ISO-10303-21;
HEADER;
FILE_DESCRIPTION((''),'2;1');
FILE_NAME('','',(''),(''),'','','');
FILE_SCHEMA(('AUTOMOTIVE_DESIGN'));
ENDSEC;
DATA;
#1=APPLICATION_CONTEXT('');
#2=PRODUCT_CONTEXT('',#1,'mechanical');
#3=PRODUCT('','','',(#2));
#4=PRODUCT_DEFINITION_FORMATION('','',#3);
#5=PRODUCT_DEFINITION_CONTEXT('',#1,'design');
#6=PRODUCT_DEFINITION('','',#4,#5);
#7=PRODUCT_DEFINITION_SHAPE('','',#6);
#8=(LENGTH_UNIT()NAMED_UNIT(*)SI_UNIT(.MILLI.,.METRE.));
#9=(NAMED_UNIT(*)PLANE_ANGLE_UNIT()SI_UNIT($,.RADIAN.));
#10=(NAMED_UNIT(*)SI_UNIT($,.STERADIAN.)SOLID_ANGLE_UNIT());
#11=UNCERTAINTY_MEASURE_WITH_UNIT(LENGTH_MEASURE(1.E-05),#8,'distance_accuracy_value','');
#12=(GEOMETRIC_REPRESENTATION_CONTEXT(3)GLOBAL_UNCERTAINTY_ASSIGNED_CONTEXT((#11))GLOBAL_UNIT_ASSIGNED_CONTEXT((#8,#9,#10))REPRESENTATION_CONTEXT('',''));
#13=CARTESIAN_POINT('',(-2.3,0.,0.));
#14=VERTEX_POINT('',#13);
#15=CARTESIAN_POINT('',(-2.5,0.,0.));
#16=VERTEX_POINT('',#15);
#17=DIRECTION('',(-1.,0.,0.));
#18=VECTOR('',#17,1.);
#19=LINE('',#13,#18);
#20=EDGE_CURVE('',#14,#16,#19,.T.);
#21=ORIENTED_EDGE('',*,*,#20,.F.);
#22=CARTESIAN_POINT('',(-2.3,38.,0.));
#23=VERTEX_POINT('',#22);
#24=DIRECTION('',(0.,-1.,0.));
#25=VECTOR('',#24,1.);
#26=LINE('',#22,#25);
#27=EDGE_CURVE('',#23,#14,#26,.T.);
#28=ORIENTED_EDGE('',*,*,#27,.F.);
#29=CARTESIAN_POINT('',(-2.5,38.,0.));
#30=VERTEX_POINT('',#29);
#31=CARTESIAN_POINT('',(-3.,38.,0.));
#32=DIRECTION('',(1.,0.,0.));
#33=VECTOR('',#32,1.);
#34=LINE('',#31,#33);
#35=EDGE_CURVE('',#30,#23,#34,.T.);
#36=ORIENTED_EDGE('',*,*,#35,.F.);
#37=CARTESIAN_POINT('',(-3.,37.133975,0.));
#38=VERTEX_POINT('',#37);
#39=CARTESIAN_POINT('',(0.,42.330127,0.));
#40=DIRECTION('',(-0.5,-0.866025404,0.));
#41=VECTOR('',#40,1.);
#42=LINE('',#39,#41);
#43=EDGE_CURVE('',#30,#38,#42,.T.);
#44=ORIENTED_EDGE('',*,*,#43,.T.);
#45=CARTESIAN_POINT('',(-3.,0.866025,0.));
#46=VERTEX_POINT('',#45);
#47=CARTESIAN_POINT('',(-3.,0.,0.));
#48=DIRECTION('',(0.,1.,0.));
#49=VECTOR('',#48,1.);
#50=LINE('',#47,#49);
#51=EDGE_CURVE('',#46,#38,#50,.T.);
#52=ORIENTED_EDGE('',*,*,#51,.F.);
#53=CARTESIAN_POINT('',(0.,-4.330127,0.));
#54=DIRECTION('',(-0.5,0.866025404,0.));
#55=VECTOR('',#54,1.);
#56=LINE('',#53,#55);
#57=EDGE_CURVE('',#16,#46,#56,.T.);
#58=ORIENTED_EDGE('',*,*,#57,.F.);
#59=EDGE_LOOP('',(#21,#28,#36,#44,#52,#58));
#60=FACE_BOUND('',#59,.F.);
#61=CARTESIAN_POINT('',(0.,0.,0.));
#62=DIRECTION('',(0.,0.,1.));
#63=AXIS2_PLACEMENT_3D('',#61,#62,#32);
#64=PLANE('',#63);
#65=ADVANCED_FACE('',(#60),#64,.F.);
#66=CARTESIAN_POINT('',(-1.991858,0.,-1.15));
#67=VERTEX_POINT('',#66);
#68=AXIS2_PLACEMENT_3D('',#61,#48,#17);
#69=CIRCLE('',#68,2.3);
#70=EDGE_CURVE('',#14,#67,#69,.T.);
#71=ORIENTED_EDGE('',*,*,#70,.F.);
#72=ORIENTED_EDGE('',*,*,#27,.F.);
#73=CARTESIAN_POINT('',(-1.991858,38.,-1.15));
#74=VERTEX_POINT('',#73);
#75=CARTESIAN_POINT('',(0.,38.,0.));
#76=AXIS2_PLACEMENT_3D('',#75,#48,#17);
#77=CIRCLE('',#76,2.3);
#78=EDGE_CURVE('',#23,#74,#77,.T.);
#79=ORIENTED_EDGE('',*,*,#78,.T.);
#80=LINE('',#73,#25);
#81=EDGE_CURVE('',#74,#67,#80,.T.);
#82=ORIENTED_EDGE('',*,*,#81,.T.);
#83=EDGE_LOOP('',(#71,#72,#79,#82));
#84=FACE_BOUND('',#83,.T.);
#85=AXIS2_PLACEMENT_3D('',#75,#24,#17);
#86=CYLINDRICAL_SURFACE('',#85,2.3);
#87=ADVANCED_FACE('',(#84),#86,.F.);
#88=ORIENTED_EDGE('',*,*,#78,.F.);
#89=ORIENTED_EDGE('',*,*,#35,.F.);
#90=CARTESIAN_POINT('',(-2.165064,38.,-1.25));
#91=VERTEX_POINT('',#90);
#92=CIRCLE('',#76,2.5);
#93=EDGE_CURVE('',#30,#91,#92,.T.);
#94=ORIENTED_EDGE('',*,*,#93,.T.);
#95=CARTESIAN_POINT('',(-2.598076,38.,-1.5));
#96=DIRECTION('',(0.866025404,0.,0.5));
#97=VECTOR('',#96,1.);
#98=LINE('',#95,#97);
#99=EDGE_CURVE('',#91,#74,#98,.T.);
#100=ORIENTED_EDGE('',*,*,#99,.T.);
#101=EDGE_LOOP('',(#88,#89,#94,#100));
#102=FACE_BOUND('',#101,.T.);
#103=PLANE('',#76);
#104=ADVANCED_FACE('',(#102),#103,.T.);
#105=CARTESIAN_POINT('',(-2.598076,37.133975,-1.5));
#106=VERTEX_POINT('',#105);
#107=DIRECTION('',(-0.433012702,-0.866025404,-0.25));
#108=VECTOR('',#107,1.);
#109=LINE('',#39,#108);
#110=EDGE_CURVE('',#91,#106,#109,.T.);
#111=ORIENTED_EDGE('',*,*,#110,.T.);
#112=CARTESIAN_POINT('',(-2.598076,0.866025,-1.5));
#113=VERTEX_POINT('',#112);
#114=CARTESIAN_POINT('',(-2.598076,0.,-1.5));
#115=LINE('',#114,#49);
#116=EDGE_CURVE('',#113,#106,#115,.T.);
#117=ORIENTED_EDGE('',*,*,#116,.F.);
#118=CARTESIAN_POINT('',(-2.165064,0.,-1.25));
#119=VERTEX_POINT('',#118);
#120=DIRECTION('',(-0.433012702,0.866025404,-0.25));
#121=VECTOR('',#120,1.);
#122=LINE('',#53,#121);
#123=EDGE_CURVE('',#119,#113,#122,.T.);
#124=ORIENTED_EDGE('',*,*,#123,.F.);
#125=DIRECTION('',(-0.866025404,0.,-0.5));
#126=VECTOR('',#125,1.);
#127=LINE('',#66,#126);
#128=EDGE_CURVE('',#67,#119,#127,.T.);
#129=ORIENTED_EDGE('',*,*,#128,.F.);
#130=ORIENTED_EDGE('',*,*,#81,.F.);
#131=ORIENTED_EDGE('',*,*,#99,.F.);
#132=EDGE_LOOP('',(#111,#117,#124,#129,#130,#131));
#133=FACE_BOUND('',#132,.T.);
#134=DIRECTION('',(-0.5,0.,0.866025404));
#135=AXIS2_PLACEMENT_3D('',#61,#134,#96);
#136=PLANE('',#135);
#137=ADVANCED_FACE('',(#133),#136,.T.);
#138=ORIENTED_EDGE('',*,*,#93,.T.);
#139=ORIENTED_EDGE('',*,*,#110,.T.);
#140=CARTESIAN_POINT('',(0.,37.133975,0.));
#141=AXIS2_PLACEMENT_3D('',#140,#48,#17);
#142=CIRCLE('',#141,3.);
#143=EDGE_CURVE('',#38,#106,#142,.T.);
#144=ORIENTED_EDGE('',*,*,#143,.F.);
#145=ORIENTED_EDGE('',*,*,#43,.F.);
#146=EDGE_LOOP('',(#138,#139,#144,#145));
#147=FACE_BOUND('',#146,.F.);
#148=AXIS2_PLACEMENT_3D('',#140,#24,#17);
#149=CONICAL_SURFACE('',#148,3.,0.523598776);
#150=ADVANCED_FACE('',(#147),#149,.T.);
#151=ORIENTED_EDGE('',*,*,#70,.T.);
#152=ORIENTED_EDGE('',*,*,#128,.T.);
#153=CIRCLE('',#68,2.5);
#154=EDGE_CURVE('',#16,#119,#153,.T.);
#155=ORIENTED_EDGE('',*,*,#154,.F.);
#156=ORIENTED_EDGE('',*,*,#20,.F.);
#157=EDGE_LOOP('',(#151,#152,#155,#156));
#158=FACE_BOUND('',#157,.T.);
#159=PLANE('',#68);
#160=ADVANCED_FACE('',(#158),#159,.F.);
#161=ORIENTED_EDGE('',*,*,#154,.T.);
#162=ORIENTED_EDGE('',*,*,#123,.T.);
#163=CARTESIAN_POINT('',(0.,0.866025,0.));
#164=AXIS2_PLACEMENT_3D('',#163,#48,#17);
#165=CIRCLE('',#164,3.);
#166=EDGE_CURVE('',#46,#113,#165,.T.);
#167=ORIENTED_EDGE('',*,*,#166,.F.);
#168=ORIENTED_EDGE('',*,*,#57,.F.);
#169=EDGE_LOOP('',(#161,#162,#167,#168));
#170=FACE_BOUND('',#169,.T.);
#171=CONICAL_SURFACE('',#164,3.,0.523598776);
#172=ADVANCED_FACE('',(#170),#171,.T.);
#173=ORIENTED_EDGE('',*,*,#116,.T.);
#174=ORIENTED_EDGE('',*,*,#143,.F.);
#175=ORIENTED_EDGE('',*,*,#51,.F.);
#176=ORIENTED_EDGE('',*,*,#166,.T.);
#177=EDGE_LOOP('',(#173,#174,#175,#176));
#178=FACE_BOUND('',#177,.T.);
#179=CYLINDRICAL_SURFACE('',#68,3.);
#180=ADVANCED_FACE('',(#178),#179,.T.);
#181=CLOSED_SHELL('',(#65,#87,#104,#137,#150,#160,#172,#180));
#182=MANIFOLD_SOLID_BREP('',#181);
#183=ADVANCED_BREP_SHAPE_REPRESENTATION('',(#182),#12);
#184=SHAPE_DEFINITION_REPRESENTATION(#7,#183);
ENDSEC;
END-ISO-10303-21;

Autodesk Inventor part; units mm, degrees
ref_plane "YZ Plane" through (0, 0, 0) normal (1, 0, 0) x (0, 1, 0)
ref_plane "XZ Plane" through (0, 0, 0) normal (0, 1, 0) x (-1, 0, 0)
ref_plane "XY Plane" through (0, 0, 0) normal (0, 0, 1) x (1, 0, 0)
sketch "Sketch1" plane through (0, 0, 0) normal (0, 0, 1) x (1, 0, 0)
  line L0 (-2.3, 0) -> (-3, 0)
  line L1 (-3, 0) -> (-3, 38)
  line L2 (-3, 38) -> (-2.3, 38)
  line L3 (-2.3, 38) -> (-2.3, 0)
  line L4 (0, 0) -> (0, 38)
  point P0 (-2.65, 38)
  point P1 (-2.65, 0)
  dimension "d0" = 0.7
  dimension "d1" = 6
  dimension "d2" = 38
revolve "Revolution1" add sketch "Sketch1" angle 330 about axis through (0, 0, 0) along (0, 1, 0)
chamfer "Chamfer1" distance 0.5 angle 60 1 edges at (2.8978, 38, 0.7765) measured on face at (-0.4754, 38, -2.7069)
chamfer "Chamfer2" distance 0.5 angle 60 1 edges at (2.8978, 0, 0.7765) measured on face at (1.8107, 0, -2.0675)
